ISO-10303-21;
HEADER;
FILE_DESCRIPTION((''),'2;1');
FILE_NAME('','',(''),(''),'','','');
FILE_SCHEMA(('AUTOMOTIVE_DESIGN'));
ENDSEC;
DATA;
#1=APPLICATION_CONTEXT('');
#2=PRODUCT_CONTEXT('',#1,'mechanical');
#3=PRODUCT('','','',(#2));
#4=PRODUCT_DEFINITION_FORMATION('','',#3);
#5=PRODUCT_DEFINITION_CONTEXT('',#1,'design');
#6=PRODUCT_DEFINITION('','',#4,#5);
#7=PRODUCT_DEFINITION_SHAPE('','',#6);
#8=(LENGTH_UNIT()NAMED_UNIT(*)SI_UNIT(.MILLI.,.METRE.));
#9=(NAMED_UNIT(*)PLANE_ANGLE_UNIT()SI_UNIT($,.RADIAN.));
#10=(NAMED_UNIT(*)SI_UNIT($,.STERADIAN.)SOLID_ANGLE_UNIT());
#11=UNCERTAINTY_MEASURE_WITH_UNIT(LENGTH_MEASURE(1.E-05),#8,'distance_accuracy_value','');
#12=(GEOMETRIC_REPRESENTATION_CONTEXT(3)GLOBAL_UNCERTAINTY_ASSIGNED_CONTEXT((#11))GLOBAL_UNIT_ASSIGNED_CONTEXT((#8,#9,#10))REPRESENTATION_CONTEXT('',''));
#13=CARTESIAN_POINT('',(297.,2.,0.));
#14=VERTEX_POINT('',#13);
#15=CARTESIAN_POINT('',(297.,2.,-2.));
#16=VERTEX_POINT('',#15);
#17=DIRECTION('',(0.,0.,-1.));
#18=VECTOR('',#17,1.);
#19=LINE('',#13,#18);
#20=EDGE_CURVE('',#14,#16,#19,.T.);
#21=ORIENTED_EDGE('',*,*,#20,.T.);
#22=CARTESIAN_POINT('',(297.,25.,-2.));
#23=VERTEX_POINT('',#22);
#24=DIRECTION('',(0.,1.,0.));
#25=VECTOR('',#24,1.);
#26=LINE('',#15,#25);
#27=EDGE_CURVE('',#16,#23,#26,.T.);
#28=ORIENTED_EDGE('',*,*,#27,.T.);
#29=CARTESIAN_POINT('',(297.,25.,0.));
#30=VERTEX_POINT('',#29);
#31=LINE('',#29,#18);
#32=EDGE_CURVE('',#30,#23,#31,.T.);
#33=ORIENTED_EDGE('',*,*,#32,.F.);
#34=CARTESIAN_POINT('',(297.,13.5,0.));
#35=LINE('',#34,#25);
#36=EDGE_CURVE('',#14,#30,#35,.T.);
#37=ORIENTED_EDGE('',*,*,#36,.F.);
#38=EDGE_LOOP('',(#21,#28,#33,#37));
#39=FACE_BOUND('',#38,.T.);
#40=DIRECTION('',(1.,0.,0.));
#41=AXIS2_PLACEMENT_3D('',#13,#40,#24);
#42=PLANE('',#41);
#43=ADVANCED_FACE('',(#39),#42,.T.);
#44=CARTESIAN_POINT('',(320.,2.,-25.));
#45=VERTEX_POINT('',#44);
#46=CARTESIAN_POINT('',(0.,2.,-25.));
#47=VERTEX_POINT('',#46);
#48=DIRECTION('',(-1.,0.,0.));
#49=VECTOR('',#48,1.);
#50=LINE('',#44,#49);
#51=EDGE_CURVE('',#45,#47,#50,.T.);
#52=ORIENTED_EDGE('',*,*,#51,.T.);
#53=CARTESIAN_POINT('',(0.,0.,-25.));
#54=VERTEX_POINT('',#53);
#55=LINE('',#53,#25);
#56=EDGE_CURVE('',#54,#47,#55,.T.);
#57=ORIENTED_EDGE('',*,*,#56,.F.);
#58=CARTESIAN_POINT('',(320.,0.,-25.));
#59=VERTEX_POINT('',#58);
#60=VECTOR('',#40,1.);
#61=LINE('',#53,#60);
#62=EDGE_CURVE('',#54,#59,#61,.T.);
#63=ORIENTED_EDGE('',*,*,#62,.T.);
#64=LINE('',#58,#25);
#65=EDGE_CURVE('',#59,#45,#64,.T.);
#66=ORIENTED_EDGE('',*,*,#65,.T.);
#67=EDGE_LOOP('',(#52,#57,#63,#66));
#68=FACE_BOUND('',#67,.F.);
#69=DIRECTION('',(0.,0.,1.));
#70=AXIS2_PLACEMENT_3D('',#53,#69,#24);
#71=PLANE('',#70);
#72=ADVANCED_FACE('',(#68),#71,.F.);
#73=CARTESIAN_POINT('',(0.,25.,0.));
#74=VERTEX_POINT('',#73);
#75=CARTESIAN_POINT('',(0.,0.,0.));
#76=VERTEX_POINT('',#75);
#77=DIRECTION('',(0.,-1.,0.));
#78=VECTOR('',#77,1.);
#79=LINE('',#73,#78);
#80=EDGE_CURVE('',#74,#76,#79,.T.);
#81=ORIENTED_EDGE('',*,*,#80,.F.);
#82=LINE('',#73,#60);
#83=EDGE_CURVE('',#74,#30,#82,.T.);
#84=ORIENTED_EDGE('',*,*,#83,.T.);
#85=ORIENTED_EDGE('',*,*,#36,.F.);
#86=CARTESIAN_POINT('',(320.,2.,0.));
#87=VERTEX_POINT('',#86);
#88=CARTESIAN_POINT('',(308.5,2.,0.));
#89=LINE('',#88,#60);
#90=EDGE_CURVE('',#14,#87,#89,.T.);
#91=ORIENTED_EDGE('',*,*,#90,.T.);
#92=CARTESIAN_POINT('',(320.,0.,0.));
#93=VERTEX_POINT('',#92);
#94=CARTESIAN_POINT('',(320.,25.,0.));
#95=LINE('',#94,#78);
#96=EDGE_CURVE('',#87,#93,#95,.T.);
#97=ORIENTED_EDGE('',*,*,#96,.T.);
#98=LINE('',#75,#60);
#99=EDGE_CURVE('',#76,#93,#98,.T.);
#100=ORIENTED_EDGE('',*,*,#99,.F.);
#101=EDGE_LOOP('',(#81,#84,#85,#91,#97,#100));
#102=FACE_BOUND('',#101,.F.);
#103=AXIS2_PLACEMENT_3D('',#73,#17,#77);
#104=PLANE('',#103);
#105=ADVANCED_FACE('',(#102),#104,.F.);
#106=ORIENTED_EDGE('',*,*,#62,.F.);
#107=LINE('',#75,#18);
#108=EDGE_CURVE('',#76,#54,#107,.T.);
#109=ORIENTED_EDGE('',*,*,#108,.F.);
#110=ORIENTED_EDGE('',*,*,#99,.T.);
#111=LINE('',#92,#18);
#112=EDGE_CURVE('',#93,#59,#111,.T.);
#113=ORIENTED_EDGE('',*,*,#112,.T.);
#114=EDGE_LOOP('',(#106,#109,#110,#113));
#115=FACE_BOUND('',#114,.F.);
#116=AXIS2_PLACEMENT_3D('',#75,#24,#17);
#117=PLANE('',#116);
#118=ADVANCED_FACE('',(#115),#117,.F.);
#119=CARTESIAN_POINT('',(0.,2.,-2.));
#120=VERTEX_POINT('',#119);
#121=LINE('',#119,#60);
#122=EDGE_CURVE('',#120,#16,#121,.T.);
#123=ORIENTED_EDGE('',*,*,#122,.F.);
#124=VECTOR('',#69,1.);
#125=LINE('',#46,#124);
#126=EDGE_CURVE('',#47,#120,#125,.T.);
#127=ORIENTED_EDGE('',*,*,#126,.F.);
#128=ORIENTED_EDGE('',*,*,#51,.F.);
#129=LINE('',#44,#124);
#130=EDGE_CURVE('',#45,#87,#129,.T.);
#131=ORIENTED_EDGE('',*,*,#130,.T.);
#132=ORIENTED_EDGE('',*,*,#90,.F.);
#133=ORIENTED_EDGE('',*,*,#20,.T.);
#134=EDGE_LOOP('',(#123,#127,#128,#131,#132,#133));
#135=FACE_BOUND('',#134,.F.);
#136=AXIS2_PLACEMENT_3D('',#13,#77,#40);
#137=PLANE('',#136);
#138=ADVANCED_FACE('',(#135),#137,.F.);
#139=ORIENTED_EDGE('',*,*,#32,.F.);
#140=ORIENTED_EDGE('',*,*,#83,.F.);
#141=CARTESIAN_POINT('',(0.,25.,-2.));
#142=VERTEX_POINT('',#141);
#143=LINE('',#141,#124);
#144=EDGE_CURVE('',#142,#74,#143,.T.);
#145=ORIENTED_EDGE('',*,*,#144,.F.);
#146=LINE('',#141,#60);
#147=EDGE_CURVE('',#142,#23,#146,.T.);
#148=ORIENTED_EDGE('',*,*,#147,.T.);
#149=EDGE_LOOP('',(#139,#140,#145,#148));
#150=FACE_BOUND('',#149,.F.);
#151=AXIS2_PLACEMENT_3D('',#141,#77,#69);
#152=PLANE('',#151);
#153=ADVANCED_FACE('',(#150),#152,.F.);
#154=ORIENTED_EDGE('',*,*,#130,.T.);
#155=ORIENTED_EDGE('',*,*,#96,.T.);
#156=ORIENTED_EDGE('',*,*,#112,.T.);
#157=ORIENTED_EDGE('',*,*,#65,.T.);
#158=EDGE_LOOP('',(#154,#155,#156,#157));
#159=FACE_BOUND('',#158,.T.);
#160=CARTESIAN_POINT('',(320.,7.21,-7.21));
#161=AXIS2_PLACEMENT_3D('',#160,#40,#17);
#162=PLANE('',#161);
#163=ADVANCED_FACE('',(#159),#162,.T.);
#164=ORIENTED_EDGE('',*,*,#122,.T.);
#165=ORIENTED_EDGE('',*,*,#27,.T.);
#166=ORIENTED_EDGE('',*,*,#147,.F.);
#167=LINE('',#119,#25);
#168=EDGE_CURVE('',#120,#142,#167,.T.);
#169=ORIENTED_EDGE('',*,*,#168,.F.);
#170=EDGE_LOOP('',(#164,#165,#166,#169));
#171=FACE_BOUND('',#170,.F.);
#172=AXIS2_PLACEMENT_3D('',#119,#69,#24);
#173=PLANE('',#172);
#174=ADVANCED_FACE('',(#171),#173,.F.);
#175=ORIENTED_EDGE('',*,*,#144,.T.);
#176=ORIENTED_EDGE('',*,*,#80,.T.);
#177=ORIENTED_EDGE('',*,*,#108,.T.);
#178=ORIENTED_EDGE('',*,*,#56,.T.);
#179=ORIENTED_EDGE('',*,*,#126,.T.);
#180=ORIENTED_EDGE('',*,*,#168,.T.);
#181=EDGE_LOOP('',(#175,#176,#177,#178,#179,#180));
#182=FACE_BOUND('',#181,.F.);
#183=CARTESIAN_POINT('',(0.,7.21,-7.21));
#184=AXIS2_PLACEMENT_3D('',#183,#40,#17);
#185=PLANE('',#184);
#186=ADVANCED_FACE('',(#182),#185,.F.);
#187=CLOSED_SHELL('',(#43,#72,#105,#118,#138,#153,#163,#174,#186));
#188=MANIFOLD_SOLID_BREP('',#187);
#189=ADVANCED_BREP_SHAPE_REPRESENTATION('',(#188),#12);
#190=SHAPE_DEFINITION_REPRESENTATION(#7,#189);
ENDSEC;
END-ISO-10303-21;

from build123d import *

# Parameters (mm, degrees)
EXTRUDE_1_DEPTH     = 320
SKETCH_3_W          = 23
SKETCH_3_H          = 23
CUT_EXTRUDE_1_DEPTH = 26


with BuildPart() as part:
    # Эскиз1 → Вытянуть-Тонкостенный1 (new body)
    with BuildSketch(Plane(origin=(0, 0, 0), x_dir=(0, 0, -1), z_dir=(1, 0, 0))):
        Polygon((0, 25), (0, 0), (25, 0), (25, 2), (2, 2), (2, 25), align=None)
    extrude(amount=EXTRUDE_1_DEPTH)

    # Эскиз3 → Вырез-Вытянуть1 (cut, through all)
    with BuildSketch(Plane.XY):
        with Locations((308.5, 13.5)):
            Rectangle(SKETCH_3_W, SKETCH_3_H)
    extrude(amount=-CUT_EXTRUDE_1_DEPTH, mode=Mode.SUBTRACT)


solid = part.part
